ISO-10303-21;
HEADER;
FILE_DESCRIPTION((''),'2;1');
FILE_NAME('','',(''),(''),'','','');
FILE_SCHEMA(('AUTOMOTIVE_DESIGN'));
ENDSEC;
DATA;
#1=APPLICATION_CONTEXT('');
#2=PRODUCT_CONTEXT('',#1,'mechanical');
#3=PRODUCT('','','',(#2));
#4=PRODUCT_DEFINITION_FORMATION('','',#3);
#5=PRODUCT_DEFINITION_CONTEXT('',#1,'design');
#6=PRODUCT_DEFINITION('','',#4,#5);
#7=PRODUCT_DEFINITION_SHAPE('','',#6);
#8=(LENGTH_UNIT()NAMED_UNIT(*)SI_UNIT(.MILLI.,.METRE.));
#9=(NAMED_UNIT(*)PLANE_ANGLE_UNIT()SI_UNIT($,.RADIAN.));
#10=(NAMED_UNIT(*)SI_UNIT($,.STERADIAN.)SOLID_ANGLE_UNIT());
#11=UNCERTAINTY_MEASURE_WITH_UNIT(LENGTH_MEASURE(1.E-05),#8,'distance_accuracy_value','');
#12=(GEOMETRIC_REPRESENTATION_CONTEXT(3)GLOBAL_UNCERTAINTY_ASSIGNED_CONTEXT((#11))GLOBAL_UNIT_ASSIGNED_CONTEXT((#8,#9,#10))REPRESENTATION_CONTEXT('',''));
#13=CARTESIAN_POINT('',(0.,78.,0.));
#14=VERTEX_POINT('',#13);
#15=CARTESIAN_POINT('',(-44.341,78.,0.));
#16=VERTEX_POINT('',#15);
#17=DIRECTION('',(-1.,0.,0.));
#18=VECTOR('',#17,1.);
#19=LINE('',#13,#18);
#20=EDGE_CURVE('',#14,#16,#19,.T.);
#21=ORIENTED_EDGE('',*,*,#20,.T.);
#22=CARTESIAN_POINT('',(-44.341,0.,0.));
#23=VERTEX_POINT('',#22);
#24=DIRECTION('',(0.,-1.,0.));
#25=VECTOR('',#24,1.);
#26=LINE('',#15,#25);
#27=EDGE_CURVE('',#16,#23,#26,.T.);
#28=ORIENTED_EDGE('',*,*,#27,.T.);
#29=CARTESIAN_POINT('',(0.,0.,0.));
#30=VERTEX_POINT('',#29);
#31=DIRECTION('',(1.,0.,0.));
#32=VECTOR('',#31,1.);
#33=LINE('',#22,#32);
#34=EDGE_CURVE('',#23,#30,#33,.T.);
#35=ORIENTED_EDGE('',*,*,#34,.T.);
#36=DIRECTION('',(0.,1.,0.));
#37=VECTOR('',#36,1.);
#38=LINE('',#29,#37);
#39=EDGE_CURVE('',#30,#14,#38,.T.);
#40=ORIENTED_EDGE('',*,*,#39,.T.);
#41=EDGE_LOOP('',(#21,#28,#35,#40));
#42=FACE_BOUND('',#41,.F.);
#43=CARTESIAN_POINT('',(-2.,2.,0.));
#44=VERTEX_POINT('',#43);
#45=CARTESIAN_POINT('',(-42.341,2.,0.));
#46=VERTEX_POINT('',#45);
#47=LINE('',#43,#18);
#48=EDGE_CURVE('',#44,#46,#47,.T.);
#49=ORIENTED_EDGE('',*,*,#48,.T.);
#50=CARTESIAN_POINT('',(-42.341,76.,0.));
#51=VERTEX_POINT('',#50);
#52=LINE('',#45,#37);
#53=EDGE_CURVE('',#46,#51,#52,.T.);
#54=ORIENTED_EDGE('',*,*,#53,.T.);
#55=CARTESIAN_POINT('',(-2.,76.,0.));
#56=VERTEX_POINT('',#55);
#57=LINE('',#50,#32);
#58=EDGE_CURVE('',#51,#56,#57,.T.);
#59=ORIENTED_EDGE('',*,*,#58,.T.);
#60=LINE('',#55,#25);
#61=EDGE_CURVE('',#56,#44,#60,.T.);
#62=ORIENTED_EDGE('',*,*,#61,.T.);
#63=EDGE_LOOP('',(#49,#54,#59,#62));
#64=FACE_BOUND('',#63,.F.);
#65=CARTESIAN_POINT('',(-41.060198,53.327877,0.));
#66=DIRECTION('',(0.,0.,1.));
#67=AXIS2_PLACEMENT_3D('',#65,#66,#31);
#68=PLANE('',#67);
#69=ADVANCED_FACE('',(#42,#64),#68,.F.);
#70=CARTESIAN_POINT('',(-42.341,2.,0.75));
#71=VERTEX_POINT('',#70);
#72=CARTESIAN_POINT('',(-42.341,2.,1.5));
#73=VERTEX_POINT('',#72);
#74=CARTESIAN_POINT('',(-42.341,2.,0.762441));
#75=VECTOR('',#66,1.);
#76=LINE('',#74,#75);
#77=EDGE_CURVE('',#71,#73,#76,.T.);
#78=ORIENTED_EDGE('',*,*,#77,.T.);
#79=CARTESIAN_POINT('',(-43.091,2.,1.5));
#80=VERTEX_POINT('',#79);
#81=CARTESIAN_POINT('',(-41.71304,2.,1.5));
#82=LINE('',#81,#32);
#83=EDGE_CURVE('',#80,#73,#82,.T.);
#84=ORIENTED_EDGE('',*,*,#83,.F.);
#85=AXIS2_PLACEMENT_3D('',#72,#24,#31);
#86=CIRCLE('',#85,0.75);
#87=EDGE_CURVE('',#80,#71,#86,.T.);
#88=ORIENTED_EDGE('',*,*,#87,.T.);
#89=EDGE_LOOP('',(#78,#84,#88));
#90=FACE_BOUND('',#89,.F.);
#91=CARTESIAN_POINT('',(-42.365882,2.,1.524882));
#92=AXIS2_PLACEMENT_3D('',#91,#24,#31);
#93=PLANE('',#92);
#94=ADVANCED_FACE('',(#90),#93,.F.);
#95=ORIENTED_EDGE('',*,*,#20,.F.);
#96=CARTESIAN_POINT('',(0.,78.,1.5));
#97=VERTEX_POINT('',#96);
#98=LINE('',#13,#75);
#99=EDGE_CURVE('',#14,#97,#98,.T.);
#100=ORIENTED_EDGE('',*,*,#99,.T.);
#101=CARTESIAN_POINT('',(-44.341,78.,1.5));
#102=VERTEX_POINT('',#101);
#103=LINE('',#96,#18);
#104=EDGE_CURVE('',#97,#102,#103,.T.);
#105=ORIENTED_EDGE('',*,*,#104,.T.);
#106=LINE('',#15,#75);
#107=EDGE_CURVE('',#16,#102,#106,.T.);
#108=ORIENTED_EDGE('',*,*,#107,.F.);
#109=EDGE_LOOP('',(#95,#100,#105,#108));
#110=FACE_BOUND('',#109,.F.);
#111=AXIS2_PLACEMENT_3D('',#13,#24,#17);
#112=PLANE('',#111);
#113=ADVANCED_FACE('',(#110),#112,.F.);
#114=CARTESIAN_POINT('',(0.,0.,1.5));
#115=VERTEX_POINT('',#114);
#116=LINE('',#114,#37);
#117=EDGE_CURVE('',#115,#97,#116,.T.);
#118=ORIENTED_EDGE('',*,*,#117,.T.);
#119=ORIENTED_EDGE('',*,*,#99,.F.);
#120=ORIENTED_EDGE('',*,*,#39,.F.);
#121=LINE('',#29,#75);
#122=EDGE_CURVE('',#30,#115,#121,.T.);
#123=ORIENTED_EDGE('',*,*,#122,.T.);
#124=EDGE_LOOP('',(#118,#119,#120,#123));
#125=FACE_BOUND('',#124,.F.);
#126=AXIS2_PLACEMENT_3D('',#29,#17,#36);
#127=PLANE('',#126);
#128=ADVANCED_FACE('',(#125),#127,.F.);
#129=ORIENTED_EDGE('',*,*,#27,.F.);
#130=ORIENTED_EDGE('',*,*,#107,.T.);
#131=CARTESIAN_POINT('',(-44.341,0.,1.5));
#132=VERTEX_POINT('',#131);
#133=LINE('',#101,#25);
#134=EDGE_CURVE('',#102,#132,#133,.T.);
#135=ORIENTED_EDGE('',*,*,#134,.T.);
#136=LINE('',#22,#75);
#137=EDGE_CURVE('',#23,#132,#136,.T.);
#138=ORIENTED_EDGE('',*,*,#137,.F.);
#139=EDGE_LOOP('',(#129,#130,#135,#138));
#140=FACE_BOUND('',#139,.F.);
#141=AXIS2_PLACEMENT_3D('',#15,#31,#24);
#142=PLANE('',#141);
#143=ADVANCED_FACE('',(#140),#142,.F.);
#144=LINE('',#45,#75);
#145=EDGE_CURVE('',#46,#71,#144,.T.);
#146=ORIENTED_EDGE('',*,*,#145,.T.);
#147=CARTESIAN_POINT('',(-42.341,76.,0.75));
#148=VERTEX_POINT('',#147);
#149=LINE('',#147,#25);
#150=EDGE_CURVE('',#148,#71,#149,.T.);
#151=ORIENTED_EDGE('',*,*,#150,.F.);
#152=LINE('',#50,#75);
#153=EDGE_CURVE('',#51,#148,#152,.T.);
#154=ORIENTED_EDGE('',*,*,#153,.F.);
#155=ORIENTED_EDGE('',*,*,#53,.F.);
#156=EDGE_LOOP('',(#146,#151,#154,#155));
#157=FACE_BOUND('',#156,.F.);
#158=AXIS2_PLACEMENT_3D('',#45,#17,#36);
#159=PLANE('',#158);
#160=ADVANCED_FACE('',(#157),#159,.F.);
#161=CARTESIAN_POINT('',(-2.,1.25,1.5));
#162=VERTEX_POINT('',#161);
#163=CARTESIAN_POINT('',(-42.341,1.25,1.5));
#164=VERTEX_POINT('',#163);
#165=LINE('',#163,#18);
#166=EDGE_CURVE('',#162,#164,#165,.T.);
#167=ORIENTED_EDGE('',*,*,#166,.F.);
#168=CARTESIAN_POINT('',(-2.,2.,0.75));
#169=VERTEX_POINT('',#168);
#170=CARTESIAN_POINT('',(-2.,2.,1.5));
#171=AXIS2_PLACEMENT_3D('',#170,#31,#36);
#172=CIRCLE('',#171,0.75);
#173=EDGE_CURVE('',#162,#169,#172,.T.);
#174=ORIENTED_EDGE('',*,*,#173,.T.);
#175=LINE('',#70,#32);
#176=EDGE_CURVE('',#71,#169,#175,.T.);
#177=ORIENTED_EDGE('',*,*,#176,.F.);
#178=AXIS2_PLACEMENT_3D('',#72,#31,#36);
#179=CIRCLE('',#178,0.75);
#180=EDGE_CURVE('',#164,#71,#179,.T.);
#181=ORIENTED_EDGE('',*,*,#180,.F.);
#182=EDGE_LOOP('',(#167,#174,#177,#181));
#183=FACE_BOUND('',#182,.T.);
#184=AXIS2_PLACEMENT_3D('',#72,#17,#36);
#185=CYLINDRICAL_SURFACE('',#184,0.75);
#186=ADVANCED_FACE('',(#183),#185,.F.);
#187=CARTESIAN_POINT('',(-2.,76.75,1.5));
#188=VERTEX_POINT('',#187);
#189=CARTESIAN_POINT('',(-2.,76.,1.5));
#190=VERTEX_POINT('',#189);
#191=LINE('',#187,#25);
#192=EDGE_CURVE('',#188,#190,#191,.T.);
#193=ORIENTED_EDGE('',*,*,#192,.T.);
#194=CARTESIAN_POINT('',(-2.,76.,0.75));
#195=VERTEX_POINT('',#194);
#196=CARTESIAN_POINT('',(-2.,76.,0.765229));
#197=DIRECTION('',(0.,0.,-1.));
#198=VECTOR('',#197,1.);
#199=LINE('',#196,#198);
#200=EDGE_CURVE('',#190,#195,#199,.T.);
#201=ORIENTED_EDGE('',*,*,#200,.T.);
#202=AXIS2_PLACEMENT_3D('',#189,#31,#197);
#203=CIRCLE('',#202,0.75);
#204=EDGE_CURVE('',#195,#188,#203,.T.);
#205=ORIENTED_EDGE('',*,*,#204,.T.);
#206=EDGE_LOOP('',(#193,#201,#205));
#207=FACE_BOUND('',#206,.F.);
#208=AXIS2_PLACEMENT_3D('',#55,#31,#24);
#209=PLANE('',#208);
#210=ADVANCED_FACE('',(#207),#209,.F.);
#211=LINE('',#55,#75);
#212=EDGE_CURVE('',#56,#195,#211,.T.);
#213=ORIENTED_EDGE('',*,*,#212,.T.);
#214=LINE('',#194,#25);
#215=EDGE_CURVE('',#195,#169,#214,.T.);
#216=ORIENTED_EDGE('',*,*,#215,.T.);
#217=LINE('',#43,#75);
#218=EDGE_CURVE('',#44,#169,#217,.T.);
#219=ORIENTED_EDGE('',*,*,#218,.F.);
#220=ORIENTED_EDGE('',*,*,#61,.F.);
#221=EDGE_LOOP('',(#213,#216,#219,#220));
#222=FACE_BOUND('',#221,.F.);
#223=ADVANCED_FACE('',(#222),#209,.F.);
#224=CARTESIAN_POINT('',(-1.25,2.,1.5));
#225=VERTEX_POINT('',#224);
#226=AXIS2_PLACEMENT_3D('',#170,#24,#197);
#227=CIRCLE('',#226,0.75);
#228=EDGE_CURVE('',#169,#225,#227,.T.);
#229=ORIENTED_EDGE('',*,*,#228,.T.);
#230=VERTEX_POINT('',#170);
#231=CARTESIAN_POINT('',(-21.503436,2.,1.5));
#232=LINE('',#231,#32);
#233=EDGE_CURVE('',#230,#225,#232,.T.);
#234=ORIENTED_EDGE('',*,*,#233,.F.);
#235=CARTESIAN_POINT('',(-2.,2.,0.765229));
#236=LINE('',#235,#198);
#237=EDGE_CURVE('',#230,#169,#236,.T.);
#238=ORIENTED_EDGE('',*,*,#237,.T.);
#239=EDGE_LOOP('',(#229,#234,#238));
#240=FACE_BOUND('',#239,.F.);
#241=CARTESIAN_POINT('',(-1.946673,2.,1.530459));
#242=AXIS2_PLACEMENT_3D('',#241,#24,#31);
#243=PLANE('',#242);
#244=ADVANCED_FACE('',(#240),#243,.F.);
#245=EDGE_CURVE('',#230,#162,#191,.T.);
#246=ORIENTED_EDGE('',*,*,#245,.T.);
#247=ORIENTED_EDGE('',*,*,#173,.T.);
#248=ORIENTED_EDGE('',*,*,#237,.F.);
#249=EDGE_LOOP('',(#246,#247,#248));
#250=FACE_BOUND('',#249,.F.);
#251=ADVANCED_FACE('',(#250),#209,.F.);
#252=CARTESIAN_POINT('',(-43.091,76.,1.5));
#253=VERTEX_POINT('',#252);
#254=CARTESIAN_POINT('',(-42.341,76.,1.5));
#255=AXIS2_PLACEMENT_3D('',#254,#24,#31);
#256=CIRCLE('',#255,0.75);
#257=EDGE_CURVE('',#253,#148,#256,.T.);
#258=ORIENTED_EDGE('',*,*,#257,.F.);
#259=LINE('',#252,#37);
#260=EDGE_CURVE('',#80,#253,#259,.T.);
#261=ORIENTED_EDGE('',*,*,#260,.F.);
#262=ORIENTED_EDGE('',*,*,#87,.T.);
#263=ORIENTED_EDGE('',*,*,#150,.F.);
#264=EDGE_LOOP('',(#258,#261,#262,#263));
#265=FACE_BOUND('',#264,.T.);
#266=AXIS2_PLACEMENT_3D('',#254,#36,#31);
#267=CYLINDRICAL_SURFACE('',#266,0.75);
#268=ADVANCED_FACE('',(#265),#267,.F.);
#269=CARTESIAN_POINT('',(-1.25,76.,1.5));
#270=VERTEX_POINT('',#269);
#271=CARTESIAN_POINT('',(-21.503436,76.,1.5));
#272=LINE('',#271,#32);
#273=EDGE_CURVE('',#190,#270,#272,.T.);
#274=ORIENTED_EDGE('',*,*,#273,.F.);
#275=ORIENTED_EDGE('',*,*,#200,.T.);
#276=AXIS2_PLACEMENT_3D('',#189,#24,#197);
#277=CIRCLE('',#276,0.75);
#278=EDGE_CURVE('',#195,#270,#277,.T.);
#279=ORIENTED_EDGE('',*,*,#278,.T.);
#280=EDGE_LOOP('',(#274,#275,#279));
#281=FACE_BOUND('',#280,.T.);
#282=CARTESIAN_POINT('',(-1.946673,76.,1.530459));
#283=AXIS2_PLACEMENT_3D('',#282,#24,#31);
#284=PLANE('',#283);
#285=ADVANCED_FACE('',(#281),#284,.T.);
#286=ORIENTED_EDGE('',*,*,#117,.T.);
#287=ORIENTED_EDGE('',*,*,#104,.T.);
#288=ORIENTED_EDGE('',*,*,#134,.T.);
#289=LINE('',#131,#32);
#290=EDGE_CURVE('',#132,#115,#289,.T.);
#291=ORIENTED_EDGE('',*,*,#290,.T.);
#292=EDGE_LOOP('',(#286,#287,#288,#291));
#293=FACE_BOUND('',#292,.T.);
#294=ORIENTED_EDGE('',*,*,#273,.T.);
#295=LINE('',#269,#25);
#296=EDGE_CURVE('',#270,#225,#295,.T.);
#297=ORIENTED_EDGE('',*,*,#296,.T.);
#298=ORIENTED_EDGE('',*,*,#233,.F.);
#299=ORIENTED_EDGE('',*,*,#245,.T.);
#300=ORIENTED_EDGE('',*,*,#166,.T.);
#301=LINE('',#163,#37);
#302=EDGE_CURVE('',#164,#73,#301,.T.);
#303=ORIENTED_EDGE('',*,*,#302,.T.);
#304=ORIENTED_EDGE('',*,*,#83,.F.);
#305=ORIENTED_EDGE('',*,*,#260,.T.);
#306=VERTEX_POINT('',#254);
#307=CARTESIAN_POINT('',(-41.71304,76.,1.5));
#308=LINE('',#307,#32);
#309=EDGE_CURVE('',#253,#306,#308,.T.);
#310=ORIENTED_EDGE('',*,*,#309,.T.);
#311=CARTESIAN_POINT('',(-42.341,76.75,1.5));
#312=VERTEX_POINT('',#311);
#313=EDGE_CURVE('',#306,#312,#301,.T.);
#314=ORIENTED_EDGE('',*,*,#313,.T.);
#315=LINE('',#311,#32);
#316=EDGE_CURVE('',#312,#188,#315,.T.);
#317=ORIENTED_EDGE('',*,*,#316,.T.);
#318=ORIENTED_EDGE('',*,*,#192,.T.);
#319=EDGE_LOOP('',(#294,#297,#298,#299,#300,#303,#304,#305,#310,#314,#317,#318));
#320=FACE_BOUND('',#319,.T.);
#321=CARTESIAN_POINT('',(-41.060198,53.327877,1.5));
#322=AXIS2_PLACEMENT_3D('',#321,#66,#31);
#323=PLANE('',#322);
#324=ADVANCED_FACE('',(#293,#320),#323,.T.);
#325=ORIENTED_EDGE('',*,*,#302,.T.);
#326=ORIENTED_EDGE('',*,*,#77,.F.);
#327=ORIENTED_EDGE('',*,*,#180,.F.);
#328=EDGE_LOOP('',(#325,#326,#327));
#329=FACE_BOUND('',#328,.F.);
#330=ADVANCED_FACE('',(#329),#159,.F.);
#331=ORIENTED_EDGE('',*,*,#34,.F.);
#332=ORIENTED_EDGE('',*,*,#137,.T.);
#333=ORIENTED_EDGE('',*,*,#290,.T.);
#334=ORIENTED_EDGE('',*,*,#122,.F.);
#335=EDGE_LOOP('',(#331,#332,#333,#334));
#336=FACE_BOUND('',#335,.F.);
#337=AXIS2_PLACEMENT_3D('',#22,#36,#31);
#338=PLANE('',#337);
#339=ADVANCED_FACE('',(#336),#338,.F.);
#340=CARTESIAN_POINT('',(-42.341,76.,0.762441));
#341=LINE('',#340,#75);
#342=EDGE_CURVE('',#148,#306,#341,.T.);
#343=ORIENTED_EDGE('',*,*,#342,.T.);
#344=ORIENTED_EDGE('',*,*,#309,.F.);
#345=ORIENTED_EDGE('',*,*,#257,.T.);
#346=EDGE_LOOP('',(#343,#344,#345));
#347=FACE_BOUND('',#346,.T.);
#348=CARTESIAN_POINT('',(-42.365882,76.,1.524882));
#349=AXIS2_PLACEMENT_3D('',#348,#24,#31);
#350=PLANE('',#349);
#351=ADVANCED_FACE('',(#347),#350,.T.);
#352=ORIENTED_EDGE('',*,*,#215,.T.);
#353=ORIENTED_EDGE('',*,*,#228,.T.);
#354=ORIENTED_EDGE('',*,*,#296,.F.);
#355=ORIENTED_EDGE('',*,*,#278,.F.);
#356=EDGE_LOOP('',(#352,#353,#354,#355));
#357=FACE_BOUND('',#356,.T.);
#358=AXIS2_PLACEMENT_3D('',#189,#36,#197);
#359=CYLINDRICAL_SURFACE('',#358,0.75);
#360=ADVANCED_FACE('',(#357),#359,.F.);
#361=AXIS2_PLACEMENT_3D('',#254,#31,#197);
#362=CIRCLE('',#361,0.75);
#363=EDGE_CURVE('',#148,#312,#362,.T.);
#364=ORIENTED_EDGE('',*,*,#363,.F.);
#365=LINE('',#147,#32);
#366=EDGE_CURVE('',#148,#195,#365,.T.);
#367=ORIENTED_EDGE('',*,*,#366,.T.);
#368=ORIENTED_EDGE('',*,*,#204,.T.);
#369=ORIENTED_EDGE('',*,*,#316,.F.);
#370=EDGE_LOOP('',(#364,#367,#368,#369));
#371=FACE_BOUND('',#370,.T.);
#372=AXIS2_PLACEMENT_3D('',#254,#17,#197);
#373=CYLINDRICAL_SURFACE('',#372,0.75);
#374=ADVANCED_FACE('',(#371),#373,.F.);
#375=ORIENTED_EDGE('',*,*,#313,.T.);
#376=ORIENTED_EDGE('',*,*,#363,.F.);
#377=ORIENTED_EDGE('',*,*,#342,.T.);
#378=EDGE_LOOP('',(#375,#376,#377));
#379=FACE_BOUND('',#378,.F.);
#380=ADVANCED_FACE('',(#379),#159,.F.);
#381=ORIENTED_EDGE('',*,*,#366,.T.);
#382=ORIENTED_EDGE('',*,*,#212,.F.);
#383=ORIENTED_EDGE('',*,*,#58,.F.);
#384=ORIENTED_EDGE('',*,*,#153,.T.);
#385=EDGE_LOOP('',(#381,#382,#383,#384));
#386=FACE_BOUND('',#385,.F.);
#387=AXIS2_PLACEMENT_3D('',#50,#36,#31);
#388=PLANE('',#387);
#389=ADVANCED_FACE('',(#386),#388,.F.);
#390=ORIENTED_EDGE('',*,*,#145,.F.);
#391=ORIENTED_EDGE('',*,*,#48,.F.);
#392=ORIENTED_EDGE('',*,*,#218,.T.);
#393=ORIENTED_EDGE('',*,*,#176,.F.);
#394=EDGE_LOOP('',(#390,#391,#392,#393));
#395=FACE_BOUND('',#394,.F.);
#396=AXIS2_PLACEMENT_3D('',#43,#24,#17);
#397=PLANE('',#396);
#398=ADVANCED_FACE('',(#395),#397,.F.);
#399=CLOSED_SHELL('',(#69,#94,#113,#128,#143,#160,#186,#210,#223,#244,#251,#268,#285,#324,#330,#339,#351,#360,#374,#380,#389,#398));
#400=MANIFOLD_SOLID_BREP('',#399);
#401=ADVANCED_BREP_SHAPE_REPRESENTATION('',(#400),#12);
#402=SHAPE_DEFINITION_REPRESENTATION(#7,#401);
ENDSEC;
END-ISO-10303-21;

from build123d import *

# Parameters (mm, degrees)
F1_DEPTH = 1.5
F4_DEPTH = 40.341
F5_DEPTH = 74


with BuildPart() as f1:
    # F0 (on Top) → F1 (new body)
    with BuildSketch(Plane.XY):
        Polygon((-44.341, 78), (-44.341, 15.8245135099), (-42.341, 15.8245135099), (-42.341, 76), (-24.9481573701, 76), (-24.9481573701, 78), align=None)
        Polygon((-44.341, 0), (0, 0), (0, 78), (-24.9481573701, 78), (-24.9481573701, 76), (-2, 76), (-2, 2), (-42.341, 2), (-42.341, 15.8245135099), (-44.341, 15.8245135099), align=None)
    extrude(amount=F1_DEPTH)

    # F2 (on face) → F4 (cut)
    with BuildSketch(Plane.YZ.offset(-42.341)):
        with BuildLine():
            ThreePointArc((76, 0.75), (76.5303300859, 0.9696699141), (76.75, 1.5))
            ThreePointArc((76.75, 1.5), (76, 2.25), (75.25, 1.5))
            Line((75.25, 1.5), (76, 1.5))
            Line((76, 1.5), (76, 0.75))
        make_face()
        with BuildLine():
            Line((76, 1.5), (75.25, 1.5))
            ThreePointArc((75.25, 1.5), (75.4696699141, 0.9696699141), (76, 0.75))
            Line((76, 0.75), (76, 1.5))
        make_face()
        with BuildLine():
            Line((2, 1.5), (2.75, 1.5))
            ThreePointArc((2.75, 1.5), (1.4696699141, 2.0303300859), (2, 0.75))
            Line((2, 0.75), (2, 1.5))
        make_face()
        with BuildLine():
            ThreePointArc((2, 0.75), (2.5303300859, 0.9696699141), (2.75, 1.5))
            Line((2.75, 1.5), (2, 1.5))
            Line((2, 1.5), (2, 0.75))
        make_face()
    extrude(amount=F4_DEPTH, mode=Mode.SUBTRACT)

    # F3 (on face) → F5 (cut)
    with BuildSketch(Plane.XZ.offset(-76)):
        with BuildLine():
            Line((-42.341, 1.5), (-41.591, 1.5))
            ThreePointArc((-41.591, 1.5), (-42.8713300859, 2.0303300859), (-42.341, 0.75))
            Line((-42.341, 0.75), (-42.341, 1.5))
        make_face()
        with BuildLine():
            ThreePointArc((-42.341, 0.75), (-41.8106699141, 0.9696699141), (-41.591, 1.5))
            Line((-41.591, 1.5), (-42.341, 1.5))
            Line((-42.341, 1.5), (-42.341, 0.75))
        make_face()
        with BuildLine():
            ThreePointArc((-1.25, 1.5), (-2, 2.25), (-2.75, 1.5))
            Line((-2.75, 1.5), (-2, 1.5))
            Line((-2, 1.5), (-2, 0.75))
            ThreePointArc((-2, 0.75), (-1.4696699141, 0.9696699141), (-1.25, 1.5))
        make_face()
        with BuildLine():
            Line((-2, 1.5), (-2.75, 1.5))
            ThreePointArc((-2.75, 1.5), (-2.5303300859, 0.9696699141), (-2, 0.75))
            Line((-2, 0.75), (-2, 1.5))
        make_face()
    extrude(amount=F5_DEPTH, mode=Mode.SUBTRACT)


solid = f1.part
